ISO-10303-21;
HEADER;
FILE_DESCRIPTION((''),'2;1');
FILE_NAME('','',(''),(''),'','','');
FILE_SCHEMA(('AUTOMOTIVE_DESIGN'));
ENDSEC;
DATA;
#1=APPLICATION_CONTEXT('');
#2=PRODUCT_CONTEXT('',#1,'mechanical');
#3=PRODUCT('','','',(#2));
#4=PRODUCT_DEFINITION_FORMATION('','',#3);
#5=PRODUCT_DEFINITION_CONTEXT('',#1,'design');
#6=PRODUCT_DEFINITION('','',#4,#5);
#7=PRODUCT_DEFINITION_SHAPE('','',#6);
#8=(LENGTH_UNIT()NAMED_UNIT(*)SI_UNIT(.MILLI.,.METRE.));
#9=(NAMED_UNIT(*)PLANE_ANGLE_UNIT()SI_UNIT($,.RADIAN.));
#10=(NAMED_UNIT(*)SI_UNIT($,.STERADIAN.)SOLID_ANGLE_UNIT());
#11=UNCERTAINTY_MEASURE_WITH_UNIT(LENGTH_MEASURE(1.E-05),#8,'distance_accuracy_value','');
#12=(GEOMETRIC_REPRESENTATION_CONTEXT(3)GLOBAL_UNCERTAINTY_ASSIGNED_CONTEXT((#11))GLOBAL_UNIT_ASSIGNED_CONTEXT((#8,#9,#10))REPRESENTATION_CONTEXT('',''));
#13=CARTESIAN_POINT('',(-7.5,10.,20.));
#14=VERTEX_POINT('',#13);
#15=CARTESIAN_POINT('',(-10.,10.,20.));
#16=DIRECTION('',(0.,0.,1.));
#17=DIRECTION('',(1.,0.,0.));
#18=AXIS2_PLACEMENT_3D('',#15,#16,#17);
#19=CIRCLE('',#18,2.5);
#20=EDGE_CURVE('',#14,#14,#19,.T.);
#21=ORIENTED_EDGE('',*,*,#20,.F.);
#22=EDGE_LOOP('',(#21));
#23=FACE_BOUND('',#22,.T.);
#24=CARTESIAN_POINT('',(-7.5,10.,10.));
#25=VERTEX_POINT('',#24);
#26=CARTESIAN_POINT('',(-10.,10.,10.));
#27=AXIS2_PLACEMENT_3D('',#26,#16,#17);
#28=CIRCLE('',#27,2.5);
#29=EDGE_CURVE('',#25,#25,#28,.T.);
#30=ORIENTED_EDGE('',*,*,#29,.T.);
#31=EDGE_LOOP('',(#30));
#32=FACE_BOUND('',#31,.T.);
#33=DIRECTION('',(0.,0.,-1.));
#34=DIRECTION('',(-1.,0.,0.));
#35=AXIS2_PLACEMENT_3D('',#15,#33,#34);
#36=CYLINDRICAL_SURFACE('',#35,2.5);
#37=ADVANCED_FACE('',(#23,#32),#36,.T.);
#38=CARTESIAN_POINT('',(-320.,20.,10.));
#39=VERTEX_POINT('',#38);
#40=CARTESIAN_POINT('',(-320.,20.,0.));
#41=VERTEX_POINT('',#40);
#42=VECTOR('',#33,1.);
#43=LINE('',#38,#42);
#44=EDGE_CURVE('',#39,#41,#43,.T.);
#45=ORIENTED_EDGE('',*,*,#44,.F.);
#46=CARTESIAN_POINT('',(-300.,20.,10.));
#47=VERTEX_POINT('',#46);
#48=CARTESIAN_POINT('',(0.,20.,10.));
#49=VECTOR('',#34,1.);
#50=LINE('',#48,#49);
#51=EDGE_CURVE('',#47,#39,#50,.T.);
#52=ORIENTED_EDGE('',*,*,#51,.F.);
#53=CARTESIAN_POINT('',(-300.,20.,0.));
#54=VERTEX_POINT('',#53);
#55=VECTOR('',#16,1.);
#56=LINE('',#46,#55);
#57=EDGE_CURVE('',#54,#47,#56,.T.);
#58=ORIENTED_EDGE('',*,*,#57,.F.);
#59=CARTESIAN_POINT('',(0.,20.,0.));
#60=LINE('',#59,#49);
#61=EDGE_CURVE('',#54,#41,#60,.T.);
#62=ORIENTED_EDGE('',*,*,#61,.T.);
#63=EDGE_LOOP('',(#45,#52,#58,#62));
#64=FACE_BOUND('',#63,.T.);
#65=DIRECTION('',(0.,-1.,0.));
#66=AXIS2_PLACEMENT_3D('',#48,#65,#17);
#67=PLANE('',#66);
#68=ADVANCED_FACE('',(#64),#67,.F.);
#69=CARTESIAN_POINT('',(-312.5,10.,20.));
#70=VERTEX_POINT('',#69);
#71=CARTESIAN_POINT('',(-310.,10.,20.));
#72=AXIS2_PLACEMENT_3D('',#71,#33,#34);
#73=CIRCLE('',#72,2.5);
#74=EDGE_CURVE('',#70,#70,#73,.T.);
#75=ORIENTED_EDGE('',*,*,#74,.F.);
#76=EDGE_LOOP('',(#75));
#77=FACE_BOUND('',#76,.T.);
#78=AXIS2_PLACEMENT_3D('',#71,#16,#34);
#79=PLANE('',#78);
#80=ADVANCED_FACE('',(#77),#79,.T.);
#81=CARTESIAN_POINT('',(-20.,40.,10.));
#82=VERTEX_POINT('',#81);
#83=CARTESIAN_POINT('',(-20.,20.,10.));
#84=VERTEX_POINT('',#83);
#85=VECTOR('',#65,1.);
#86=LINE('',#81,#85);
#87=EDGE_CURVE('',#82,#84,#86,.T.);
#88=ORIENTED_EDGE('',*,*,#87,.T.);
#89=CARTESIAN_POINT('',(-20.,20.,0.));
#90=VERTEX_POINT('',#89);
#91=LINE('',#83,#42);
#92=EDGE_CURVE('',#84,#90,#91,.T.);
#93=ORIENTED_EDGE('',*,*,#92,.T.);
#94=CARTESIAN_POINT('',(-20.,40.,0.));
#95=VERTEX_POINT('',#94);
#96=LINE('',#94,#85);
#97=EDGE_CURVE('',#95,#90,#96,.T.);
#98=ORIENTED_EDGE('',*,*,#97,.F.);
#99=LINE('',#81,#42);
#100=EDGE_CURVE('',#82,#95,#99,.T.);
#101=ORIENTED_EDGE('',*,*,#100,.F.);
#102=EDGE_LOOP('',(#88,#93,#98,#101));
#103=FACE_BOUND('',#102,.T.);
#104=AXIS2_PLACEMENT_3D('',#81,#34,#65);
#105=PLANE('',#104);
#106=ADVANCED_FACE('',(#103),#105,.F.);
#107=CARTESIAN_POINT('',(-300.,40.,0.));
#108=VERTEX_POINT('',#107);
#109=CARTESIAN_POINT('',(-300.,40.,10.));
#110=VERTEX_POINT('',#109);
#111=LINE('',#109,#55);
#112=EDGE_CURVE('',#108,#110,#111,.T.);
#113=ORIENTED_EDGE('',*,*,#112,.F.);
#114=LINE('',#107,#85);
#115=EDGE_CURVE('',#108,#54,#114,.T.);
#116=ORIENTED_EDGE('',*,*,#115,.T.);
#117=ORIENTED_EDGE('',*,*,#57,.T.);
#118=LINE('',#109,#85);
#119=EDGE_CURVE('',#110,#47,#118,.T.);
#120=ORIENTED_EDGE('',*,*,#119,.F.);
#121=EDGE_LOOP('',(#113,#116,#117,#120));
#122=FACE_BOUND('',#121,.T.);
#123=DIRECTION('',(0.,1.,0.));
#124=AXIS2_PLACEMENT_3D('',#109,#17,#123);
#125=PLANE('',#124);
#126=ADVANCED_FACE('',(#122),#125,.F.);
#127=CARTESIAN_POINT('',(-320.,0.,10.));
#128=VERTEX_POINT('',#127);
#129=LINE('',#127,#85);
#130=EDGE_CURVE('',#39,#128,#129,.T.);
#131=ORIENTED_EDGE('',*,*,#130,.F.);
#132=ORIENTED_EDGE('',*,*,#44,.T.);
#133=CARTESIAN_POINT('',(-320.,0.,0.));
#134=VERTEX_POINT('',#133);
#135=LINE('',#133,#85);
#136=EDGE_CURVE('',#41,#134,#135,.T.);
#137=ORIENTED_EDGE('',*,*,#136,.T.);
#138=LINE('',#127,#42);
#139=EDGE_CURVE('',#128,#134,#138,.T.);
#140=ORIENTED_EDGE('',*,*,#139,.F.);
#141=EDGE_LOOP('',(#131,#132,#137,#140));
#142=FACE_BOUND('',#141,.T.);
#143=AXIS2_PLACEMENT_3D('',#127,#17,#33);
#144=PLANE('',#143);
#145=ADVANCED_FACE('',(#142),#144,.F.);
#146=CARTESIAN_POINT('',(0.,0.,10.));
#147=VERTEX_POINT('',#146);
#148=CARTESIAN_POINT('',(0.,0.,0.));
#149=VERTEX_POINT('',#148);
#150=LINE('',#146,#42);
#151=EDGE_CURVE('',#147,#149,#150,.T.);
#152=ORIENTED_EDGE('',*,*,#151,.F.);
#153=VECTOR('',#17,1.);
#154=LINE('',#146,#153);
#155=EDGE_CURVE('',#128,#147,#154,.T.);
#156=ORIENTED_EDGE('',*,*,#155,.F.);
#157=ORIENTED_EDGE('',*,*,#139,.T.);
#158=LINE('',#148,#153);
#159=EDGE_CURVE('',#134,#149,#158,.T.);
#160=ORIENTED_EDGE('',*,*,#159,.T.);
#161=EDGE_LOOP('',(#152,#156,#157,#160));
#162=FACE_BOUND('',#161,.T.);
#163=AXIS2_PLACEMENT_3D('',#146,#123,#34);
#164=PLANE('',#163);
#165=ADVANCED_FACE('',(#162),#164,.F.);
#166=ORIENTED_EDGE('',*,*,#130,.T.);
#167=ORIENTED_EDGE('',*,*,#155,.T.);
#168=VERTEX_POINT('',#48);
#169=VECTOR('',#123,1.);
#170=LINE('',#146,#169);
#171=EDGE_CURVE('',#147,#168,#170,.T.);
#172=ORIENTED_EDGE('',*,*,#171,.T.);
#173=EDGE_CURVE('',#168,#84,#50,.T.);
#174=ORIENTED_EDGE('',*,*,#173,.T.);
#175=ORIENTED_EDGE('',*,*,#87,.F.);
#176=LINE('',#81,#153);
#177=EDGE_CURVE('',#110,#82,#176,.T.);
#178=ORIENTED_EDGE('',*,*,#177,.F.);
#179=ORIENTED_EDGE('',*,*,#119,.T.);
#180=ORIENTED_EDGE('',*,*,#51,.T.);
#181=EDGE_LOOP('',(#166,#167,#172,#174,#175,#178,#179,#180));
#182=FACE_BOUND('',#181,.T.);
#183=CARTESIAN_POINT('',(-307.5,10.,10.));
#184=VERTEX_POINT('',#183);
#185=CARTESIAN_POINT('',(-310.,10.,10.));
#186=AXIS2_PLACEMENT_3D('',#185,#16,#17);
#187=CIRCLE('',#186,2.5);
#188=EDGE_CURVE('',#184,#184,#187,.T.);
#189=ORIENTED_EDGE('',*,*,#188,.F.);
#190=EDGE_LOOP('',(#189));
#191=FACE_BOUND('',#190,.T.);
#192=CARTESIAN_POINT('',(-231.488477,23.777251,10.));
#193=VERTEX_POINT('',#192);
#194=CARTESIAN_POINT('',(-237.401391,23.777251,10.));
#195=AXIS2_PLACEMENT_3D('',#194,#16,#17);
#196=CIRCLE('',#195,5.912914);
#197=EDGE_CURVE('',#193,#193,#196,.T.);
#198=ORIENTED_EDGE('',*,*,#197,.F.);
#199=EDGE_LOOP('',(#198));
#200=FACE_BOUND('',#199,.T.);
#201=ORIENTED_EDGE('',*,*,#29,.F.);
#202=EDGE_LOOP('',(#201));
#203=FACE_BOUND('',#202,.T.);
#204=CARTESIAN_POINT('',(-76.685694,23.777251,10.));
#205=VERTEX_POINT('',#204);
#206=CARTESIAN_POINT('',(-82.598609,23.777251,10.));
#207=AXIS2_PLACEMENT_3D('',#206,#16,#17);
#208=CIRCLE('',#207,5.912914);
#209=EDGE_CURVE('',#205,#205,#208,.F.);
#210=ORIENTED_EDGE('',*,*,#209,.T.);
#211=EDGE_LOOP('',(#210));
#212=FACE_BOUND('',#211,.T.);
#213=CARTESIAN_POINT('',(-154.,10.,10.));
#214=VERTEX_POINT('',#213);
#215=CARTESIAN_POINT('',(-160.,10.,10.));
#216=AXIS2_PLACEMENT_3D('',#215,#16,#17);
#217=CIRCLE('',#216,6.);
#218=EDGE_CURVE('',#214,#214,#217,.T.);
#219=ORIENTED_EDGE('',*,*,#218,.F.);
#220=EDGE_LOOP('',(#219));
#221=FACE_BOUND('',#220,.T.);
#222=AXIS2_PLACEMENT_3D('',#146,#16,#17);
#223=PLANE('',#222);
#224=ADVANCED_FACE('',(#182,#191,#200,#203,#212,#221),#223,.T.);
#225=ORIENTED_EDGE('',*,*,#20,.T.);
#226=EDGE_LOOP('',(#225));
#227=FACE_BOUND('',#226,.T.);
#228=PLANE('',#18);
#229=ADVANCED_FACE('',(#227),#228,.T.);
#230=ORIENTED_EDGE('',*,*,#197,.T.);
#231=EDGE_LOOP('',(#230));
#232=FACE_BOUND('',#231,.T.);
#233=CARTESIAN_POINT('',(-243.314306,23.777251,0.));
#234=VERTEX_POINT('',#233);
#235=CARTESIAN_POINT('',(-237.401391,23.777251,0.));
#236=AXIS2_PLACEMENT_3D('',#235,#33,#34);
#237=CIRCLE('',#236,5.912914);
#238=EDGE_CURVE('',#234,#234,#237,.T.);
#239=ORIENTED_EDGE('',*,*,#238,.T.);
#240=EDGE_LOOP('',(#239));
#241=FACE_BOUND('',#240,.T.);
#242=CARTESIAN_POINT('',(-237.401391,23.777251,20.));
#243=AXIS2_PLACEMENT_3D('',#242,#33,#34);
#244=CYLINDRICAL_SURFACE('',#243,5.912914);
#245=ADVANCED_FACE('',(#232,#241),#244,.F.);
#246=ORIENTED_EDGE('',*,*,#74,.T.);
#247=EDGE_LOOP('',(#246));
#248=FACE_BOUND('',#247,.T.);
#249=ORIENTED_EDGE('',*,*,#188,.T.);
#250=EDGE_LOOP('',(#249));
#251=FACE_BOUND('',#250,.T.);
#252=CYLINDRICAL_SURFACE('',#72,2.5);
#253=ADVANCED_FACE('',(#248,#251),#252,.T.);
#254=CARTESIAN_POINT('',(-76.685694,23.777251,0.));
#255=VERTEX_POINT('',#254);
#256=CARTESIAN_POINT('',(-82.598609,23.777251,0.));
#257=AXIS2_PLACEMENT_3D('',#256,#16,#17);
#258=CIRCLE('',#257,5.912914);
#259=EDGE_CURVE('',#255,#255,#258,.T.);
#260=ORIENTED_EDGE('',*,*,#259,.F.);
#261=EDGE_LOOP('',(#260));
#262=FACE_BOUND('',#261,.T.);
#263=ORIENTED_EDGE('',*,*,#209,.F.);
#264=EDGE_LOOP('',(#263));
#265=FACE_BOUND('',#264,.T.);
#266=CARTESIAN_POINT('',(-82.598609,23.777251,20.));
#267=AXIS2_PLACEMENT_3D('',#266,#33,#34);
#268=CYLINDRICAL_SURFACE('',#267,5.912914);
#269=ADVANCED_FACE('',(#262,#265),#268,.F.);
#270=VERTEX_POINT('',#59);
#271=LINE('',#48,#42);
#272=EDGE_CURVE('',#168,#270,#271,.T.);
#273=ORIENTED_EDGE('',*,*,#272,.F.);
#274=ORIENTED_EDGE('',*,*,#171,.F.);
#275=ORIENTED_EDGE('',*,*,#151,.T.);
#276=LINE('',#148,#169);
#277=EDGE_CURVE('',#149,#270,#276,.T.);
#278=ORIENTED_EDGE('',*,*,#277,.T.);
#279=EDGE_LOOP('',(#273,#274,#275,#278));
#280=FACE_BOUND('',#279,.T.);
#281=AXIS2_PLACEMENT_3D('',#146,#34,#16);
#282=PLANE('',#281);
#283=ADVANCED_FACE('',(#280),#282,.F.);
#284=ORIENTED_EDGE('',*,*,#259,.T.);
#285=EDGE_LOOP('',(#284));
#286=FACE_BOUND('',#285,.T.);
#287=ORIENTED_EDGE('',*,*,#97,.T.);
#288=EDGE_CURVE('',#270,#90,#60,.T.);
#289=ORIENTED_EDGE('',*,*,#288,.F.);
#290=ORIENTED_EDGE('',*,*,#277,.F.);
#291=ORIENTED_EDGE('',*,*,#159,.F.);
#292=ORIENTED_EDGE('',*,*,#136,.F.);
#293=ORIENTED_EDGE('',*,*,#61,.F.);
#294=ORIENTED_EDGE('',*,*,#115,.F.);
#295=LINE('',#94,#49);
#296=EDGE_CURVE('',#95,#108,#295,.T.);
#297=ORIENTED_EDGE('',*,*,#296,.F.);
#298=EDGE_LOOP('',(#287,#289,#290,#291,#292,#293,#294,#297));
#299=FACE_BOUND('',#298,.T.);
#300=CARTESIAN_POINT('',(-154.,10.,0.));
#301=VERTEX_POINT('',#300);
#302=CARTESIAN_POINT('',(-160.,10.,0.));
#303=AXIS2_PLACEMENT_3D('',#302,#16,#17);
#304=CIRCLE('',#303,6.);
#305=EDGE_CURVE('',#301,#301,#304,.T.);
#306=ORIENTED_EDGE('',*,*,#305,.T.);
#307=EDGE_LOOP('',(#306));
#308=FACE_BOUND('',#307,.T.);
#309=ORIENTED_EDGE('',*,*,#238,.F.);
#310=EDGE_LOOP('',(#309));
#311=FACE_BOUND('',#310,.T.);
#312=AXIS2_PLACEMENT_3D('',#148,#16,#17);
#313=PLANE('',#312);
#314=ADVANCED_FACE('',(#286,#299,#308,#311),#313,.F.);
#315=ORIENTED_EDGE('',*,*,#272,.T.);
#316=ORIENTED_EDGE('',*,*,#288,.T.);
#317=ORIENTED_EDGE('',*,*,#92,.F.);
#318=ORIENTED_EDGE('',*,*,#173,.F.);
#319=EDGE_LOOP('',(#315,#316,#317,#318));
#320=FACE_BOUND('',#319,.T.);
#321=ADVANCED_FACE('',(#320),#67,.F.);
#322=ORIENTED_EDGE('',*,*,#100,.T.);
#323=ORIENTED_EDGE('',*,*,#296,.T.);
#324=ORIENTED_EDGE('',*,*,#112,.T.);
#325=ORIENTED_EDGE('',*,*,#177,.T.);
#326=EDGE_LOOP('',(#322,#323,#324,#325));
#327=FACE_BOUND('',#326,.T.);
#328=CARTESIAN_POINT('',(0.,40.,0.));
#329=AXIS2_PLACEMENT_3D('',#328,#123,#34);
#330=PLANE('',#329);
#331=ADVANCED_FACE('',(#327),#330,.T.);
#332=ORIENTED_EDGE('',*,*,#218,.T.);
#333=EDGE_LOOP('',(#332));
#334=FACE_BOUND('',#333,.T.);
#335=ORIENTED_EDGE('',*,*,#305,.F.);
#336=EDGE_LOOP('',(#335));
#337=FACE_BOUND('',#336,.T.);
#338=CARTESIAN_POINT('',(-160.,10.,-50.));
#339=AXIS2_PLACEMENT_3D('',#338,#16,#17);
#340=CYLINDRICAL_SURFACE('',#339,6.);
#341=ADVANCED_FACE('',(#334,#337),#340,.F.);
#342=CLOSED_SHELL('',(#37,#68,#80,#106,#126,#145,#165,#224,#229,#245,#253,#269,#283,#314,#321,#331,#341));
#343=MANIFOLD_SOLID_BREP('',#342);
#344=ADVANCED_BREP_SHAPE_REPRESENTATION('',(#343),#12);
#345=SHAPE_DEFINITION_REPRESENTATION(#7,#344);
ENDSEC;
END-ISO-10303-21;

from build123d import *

# Parameters (mm, degrees)
SKETCH1_W           = 320
SKETCH1_H           = 20
BOSS_EXTRUDE1_DEPTH = 10
SKETCH2_R           = 2.5
BOSS_EXTRUDE2_DEPTH = 10
SKETCH4_R           = 6
CUT_EXTRUDE1_DEPTH  = 60
SKETCH5_W           = 280
SKETCH5_H           = 10
BOSS_EXTRUDE3_DEPTH = 20
SKETCH6_R           = 5.912914271
CUT_EXTRUDE2_DEPTH  = 20


with BuildPart() as part:
    # Sketch1 → Boss-Extrude1 (new body)
    with BuildSketch(Plane.XY):
        with Locations((-160, 10)):
            Rectangle(SKETCH1_W, SKETCH1_H)
    extrude(amount=BOSS_EXTRUDE1_DEPTH)

    # Sketch2 → Boss-Extrude2 (add)
    with BuildSketch(Plane.XY.offset(10)):
        with Locations((-10, 10)):
            Circle(SKETCH2_R)
    boss_extrude2 = extrude(amount=BOSS_EXTRUDE2_DEPTH)

    # Mirror1: Boss-Extrude2 across plane
    add(boss_extrude2.mirror(Plane(origin=(-160, 0, 0), x_dir=(0, 0, 1), z_dir=(1, 0, 0))))

    # Sketch4 → Cut-Extrude1 (cut)
    with BuildSketch(Plane.XY.offset(10)):
        with Locations((-160, 10)):
            Circle(SKETCH4_R)
    extrude(amount=-CUT_EXTRUDE1_DEPTH, mode=Mode.SUBTRACT)

    # Sketch5 → Boss-Extrude3 (add)
    with BuildSketch(Plane(origin=(0, 20, 0), x_dir=(1, 0, 0), z_dir=(0, 1, 0))):
        with Locations((-160, -5)):
            Rectangle(SKETCH5_W, SKETCH5_H)
    extrude(amount=BOSS_EXTRUDE3_DEPTH)

    # Sketch6 → Cut-Extrude2 (cut)
    with BuildSketch(Plane(origin=(0, 0, 0), x_dir=(-1, 0, 0), z_dir=(0, 0, -1))):
        with Locations((237.401391361, 23.777250692)):
            Circle(SKETCH6_R)
    cut_extrude2 = extrude(amount=-CUT_EXTRUDE2_DEPTH, mode=Mode.SUBTRACT)

    # Mirror2: Cut-Extrude2 across plane
    add(cut_extrude2.mirror(Plane(origin=(-160, 0, 0), x_dir=(0, 0, 1), z_dir=(1, 0, 0))), mode=Mode.SUBTRACT)


solid = part.part
